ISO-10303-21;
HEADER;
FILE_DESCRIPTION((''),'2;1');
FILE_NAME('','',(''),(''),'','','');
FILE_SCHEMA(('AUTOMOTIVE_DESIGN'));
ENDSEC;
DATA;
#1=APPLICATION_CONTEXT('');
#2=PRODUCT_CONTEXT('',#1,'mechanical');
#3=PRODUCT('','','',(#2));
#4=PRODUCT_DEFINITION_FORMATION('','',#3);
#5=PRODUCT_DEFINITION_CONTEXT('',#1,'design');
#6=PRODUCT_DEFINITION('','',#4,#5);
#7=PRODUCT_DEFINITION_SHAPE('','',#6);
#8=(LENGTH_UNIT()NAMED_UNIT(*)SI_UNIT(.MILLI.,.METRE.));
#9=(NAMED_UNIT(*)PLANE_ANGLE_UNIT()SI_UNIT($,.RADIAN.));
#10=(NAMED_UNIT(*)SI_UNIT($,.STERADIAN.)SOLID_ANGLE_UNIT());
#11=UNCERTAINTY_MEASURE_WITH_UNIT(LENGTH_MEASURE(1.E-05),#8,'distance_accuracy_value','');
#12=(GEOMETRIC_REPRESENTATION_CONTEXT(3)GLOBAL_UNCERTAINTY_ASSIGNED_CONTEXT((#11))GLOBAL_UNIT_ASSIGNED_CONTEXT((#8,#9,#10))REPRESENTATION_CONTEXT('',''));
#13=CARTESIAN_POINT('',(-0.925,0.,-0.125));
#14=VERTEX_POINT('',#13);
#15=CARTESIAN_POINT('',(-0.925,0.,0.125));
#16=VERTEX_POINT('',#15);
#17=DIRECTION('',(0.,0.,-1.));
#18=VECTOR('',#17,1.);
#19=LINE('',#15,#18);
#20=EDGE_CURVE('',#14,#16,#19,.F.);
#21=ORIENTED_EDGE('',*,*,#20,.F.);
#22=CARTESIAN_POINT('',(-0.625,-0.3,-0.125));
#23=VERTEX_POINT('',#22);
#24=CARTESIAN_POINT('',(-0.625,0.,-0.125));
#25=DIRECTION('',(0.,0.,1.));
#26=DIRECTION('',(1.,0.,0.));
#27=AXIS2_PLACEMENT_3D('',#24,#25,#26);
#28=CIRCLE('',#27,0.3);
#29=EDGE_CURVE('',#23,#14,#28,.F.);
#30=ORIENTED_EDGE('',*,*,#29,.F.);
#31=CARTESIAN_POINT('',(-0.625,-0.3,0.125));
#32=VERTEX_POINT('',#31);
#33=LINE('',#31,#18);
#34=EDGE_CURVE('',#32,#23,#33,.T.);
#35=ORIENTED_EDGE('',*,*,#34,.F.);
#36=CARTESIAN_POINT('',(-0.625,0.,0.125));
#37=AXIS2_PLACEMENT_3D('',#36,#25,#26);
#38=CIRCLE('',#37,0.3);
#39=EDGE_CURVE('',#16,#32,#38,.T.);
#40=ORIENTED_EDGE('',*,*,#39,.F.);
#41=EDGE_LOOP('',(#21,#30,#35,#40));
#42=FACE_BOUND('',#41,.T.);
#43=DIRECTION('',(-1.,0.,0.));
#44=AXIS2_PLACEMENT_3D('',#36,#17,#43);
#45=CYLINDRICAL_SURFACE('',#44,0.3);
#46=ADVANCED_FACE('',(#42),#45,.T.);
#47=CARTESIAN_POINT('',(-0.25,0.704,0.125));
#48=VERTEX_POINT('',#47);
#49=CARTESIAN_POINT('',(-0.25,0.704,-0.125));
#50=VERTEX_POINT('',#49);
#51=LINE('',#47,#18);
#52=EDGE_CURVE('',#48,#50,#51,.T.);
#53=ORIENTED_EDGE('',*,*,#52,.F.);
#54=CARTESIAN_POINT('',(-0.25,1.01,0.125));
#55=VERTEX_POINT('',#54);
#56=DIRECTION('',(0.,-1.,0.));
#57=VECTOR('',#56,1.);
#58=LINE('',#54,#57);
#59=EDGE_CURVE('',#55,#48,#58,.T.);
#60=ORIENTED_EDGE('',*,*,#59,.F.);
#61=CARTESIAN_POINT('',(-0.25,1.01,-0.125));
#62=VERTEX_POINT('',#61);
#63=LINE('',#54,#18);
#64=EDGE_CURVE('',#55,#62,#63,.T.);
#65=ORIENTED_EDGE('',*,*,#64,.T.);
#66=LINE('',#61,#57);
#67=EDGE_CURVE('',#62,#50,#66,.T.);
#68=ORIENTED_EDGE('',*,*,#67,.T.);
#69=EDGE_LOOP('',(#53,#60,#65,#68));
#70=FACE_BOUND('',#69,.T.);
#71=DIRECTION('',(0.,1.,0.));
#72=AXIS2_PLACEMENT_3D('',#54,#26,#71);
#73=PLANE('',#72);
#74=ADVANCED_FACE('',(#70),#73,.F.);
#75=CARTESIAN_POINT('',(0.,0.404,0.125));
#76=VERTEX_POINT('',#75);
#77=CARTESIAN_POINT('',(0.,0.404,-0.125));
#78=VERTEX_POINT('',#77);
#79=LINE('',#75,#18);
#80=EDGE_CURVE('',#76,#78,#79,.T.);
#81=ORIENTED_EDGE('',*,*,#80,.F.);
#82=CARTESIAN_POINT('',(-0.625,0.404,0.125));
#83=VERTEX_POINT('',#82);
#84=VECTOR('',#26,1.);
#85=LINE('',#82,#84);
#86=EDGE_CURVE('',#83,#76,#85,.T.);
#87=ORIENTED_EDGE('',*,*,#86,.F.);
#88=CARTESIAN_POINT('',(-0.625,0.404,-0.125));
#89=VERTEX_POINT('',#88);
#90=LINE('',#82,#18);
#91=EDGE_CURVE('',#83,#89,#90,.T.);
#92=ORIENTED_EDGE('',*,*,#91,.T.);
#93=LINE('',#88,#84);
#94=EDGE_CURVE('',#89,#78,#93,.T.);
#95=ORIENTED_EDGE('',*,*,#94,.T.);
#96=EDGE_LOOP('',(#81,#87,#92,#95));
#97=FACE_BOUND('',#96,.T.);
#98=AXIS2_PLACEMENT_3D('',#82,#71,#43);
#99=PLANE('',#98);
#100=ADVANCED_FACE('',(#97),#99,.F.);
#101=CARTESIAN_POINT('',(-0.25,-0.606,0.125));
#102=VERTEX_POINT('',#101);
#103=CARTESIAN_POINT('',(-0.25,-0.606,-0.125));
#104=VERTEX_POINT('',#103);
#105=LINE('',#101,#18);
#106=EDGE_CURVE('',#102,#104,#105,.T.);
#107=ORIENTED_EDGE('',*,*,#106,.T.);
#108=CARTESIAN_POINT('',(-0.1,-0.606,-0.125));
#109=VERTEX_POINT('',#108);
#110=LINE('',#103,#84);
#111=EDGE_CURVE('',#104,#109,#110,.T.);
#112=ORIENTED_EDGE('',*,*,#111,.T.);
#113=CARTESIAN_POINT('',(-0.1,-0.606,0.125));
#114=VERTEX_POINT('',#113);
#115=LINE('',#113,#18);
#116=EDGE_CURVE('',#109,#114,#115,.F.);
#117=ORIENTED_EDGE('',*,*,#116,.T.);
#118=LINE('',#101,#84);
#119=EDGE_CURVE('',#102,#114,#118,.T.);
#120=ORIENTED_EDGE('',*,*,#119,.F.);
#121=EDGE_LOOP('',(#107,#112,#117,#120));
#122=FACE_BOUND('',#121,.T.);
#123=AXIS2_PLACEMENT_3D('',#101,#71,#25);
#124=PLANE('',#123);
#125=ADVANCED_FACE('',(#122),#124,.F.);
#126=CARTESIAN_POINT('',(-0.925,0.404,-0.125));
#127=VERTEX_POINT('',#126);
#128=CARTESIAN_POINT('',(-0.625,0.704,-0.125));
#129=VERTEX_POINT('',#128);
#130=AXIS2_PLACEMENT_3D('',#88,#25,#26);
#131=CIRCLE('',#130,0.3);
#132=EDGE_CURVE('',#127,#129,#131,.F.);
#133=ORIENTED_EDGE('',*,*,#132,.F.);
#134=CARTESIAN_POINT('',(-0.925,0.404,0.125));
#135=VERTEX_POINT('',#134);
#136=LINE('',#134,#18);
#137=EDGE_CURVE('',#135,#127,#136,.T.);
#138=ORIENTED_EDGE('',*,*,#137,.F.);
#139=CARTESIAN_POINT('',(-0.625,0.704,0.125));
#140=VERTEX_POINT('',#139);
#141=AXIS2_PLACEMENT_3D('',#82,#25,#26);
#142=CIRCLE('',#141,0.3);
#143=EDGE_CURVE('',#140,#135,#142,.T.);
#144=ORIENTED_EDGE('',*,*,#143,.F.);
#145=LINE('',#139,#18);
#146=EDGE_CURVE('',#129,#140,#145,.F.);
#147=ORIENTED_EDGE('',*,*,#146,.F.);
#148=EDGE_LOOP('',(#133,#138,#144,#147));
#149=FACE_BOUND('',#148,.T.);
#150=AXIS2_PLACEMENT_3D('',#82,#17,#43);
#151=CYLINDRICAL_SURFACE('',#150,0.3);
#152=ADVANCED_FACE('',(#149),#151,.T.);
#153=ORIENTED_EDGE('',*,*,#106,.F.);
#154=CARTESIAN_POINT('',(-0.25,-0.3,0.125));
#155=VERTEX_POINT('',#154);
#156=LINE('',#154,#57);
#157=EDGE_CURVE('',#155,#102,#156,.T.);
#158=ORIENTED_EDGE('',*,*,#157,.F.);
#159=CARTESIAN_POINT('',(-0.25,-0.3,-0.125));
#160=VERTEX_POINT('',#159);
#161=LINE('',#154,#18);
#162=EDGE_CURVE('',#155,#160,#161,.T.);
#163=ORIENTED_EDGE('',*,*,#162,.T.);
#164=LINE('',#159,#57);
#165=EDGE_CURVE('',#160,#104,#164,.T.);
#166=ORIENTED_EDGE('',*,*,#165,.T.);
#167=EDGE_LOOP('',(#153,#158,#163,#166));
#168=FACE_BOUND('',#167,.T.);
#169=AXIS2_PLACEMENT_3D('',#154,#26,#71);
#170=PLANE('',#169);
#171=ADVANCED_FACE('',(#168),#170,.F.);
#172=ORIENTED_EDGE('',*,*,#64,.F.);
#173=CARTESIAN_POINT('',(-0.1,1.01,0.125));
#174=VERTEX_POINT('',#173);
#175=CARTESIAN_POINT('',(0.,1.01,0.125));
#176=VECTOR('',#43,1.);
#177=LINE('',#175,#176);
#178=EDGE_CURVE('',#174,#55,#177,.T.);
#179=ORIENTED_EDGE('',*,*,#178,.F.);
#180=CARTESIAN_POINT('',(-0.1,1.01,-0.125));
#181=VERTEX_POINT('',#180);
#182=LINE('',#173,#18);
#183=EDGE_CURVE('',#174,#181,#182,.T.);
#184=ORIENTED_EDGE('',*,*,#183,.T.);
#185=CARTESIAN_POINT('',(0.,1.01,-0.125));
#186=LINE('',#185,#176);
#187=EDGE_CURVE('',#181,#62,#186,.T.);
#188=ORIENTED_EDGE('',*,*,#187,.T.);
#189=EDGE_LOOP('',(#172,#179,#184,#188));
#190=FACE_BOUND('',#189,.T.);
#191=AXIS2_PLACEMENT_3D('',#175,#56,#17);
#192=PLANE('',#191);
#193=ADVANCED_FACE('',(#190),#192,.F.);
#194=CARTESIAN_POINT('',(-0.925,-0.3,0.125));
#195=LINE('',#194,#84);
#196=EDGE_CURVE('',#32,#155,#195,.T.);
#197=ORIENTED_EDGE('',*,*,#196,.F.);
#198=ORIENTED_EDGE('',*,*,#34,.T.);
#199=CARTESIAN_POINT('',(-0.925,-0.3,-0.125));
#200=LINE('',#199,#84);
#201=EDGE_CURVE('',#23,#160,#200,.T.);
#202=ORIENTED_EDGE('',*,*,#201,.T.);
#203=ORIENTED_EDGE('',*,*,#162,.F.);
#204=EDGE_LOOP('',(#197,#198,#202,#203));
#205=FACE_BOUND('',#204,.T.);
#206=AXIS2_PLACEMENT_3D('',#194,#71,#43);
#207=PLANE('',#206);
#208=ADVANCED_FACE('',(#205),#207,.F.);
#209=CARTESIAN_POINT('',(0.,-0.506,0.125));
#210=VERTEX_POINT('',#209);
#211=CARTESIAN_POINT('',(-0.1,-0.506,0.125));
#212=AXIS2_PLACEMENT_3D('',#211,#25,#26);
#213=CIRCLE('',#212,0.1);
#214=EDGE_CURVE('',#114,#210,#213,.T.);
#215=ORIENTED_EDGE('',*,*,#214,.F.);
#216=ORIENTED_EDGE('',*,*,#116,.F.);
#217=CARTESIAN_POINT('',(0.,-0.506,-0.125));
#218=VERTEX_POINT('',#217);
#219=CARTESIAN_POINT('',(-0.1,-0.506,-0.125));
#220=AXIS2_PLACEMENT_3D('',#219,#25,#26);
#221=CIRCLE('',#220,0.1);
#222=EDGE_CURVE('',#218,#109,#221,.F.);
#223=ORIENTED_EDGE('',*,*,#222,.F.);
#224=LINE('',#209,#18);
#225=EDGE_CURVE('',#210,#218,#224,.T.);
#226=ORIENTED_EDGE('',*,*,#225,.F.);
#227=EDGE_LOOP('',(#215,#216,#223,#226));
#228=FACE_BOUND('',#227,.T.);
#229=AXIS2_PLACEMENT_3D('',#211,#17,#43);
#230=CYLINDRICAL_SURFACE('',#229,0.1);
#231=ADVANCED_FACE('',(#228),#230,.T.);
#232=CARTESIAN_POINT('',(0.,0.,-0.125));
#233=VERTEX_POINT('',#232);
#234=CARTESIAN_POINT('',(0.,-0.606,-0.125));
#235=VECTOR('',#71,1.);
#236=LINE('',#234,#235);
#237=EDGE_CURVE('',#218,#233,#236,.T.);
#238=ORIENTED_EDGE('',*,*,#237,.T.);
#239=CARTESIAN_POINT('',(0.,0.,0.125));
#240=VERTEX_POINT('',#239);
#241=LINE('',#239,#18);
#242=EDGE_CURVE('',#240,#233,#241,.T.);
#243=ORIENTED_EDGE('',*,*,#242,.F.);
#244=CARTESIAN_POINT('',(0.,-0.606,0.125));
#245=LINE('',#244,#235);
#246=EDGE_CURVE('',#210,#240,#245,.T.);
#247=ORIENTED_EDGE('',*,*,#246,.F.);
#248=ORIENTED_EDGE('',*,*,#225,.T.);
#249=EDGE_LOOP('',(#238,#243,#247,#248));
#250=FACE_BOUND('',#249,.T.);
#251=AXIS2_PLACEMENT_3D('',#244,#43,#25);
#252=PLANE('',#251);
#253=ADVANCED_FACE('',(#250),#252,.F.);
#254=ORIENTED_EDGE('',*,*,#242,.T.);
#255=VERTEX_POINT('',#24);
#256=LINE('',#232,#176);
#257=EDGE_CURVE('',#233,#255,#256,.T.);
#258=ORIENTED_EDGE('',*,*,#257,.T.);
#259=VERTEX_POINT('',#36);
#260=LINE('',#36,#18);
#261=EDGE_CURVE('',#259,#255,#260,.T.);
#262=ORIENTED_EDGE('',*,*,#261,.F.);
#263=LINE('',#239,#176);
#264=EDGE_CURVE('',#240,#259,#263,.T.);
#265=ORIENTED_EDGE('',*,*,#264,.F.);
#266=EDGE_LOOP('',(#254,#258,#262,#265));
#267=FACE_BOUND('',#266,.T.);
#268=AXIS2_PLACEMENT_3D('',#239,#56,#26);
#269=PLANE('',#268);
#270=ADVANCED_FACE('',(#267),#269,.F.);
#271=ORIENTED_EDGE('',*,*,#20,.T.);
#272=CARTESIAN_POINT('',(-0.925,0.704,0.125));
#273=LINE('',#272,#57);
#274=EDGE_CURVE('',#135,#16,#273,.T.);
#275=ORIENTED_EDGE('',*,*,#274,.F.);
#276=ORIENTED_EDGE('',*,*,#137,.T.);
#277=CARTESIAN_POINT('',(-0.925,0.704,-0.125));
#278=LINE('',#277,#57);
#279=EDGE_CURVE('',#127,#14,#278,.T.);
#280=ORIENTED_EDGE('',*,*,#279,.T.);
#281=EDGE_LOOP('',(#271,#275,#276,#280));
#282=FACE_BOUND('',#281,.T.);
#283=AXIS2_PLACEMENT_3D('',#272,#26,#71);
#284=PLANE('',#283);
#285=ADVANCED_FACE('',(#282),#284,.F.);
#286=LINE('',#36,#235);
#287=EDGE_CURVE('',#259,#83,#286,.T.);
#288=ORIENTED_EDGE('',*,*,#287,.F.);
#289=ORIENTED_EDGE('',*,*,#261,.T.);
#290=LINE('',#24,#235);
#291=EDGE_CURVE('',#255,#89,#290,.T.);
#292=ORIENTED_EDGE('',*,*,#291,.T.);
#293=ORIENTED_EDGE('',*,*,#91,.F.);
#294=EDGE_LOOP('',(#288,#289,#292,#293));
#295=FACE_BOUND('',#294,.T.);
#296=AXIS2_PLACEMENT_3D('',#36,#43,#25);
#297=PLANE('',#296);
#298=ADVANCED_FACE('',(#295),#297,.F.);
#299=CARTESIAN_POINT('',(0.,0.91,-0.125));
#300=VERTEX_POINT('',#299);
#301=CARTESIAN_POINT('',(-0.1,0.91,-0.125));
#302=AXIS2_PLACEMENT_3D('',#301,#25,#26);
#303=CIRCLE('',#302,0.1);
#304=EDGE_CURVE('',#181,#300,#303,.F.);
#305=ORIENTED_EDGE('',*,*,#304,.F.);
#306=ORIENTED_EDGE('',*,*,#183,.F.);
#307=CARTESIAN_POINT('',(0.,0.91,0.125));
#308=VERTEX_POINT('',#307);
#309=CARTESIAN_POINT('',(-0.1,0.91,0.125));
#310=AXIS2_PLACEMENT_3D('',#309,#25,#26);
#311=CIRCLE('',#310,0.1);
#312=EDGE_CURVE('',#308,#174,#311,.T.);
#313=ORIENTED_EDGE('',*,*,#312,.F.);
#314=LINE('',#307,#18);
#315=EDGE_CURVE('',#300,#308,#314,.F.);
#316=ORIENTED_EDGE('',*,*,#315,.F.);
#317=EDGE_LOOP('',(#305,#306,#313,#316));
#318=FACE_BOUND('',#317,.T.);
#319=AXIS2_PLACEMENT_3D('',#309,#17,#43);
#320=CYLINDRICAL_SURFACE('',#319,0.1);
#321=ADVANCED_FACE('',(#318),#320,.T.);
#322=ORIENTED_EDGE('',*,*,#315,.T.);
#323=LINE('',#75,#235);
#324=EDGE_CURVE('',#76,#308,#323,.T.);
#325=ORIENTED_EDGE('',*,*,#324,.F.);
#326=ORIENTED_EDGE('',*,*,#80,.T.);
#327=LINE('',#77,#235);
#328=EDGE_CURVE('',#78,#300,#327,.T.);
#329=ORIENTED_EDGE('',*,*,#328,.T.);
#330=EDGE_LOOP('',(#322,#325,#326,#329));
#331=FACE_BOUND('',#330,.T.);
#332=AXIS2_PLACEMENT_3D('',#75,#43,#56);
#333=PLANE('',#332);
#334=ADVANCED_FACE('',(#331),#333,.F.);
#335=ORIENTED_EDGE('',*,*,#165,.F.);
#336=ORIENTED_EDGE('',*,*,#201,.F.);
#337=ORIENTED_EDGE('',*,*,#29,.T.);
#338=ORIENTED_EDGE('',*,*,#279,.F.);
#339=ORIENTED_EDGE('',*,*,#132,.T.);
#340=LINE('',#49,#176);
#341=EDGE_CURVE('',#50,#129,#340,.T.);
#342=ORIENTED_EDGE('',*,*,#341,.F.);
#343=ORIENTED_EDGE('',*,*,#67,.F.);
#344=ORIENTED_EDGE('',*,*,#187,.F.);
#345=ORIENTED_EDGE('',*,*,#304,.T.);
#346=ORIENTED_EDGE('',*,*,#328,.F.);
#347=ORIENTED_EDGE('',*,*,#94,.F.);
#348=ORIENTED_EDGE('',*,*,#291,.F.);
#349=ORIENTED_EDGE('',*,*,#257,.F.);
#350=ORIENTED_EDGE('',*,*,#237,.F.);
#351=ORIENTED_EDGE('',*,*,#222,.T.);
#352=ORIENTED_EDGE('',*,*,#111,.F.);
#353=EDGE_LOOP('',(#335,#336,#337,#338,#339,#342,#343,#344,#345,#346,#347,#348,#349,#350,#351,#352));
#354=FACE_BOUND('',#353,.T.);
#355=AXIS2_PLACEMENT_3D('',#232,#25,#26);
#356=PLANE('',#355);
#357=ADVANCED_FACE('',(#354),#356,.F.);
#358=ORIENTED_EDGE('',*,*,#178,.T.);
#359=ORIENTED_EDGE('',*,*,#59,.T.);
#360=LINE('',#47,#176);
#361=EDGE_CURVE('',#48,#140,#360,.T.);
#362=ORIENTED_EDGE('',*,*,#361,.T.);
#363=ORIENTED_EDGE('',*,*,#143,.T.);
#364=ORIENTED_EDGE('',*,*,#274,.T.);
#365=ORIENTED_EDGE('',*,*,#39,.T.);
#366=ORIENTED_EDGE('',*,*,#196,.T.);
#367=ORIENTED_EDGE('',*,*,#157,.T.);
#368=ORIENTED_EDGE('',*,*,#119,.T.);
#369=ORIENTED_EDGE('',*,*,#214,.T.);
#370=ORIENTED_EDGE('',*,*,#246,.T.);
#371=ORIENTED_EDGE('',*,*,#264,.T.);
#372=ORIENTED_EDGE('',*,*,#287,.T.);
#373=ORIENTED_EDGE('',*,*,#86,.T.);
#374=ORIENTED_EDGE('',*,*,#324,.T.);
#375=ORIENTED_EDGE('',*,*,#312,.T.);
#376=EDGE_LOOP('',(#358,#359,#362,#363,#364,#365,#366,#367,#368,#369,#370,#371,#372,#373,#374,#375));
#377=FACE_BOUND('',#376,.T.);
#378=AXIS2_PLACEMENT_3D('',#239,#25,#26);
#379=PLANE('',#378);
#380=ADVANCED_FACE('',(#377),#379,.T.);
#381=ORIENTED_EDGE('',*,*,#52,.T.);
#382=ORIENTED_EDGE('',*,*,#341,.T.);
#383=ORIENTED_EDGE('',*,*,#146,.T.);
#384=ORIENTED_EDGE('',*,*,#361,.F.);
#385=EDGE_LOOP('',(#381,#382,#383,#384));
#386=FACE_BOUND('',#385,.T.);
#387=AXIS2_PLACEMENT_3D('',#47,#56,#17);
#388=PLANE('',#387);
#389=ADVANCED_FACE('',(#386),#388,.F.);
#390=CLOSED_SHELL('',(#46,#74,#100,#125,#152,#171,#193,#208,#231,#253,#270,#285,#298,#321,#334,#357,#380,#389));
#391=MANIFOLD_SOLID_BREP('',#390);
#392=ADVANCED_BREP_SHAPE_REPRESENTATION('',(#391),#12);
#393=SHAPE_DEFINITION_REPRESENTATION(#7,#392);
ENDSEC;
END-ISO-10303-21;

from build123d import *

# Parameters (mm, degrees)
BOSS_EXTRUDE1_DEPTH = 0.125
FILLET1_R           = 0.3
FILLET2_R           = 0.1


with BuildPart() as part:
    # frame_outline → Boss-Extrude1 (new, symmetric)
    with BuildSketch(Plane.XY):
        Polygon((0, 0), (-0.625, 0), (-0.625, 0.404), (0, 0.404), (0, 1.01), (-0.25, 1.01), (-0.25, 0.704), (-0.925, 0.704), (-0.925, -0.3), (-0.25, -0.3), (-0.25, -0.606), (0, -0.606), align=None)
    extrude(amount=BOSS_EXTRUDE1_DEPTH, both=True)

    # Fillet1
    fillet1_edges = [part.edges().sort_by_distance(p)[0] for p in [
        (-0.925, -0.3, 0),
        (-0.925, 0.704, 0),
    ]]
    fillet(fillet1_edges, radius=FILLET1_R)

    # Fillet2
    fillet2_edges = [part.edges().sort_by_distance(p)[0] for p in [
        (0, -0.606, 0),
        (0, 1.01, 0),
    ]]
    fillet(fillet2_edges, radius=FILLET2_R)


solid = part.part
